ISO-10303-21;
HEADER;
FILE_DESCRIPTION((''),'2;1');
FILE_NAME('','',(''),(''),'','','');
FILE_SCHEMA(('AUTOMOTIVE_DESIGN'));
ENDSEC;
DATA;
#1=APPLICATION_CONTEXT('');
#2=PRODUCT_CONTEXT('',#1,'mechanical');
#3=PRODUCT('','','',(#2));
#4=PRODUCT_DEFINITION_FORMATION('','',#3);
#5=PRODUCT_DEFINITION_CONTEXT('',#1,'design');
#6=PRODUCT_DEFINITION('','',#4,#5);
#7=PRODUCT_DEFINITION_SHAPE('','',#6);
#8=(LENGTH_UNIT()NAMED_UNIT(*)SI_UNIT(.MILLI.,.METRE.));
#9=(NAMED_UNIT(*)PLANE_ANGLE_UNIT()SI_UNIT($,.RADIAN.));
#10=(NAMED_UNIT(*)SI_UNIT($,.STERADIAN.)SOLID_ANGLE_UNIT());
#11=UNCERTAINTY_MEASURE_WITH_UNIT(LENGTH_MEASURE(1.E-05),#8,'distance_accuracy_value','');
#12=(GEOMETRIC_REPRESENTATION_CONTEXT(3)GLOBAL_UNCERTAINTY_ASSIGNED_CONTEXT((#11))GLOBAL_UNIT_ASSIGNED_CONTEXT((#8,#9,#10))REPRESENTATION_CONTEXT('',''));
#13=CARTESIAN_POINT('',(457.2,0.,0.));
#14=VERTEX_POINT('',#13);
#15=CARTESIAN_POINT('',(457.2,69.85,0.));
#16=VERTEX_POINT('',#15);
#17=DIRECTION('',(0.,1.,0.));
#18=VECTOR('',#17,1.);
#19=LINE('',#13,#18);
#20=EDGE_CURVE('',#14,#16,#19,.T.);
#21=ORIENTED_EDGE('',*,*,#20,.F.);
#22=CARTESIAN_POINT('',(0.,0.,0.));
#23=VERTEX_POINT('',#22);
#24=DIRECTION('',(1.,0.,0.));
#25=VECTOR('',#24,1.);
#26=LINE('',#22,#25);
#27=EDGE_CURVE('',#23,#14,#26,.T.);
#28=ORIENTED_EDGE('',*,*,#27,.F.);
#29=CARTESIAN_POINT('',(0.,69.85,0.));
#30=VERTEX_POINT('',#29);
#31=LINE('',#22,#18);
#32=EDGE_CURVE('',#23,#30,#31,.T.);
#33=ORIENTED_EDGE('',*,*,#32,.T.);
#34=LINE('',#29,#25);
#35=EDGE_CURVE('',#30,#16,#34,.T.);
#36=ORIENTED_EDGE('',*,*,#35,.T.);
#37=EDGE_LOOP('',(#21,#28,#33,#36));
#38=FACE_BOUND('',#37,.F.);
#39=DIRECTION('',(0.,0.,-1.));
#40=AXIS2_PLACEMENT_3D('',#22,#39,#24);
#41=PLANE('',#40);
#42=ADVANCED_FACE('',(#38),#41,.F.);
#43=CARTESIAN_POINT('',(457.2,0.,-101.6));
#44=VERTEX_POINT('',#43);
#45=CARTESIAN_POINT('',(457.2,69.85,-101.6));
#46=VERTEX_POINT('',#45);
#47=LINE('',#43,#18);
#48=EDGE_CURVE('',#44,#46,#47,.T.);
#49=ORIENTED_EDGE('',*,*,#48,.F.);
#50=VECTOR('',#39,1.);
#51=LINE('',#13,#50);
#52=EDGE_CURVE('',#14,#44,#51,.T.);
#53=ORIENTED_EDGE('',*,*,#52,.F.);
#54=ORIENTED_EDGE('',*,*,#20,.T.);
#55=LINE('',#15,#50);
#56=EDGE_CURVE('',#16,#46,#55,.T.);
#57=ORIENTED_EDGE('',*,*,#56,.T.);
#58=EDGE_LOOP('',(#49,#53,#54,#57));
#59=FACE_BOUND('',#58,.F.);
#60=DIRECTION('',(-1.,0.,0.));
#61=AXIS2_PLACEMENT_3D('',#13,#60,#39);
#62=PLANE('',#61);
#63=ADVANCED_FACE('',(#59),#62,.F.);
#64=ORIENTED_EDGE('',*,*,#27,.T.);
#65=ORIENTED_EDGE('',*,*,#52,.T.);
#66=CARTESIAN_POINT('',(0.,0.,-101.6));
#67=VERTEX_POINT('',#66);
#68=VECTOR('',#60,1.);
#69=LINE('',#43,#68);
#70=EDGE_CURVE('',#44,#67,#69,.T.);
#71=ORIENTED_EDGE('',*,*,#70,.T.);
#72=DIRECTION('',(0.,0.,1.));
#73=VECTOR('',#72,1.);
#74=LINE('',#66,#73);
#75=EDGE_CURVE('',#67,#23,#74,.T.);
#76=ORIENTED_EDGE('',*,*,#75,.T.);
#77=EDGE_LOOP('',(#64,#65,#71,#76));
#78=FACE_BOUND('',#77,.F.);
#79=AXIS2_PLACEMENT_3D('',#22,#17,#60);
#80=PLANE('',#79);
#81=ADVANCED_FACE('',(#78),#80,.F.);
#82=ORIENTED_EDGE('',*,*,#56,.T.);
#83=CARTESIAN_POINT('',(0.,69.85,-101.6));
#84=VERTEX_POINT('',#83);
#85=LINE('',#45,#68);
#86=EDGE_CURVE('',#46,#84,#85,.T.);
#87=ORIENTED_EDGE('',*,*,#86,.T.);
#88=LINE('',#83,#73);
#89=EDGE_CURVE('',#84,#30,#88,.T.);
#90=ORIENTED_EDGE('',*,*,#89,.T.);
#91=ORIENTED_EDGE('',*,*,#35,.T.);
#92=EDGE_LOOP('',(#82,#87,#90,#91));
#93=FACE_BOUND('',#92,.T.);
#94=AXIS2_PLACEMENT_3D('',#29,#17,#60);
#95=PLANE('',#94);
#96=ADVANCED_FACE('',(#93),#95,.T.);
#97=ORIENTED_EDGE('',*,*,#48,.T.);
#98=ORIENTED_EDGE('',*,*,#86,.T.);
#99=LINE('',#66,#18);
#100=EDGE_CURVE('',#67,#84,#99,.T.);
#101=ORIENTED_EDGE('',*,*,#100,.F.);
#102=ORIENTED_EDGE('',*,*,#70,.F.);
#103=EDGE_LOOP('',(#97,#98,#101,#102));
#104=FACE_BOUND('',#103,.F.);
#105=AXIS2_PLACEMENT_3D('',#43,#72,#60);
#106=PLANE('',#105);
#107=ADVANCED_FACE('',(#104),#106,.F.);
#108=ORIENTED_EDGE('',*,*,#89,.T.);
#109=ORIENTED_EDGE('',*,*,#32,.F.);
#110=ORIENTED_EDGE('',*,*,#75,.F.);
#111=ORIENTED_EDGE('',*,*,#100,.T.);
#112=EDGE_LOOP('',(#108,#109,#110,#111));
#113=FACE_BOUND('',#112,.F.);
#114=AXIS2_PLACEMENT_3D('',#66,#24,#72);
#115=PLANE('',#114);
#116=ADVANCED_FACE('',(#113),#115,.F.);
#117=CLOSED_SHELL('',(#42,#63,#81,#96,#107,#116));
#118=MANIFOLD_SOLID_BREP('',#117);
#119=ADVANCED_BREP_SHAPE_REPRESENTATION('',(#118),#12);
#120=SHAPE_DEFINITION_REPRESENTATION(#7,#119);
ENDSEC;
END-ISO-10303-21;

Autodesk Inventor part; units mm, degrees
ref_plane "YZ Plane" through (0, 0, 0) normal (1, 0, 0) x (0, 1, 0)
ref_plane "XZ Plane" through (0, 0, 0) normal (0, 1, 0) x (-1, 0, 0)
ref_plane "XY Plane" through (0, 0, 0) normal (0, 0, 1) x (1, 0, 0)
sketch "Sketch1" plane through (0, 0, 0) normal (0, 1, 0) x (-1, 0, 0)
  line L0 (0, 0) -> (-457.2, 0)
  line L1 (-457.2, 0) -> (-457.2, -101.6)
  line L2 (-457.2, -101.6) -> (0, -101.6)
  line L3 (0, -101.6) -> (0, 0)
  dimension "d0" = 457.2
  dimension "d1" = 101.6
extrude "Extrusion1" add sketch "Sketch1" along normal blind 69.85
properties part number "4x18 - 66" material "Granite, Cut, Polished"
